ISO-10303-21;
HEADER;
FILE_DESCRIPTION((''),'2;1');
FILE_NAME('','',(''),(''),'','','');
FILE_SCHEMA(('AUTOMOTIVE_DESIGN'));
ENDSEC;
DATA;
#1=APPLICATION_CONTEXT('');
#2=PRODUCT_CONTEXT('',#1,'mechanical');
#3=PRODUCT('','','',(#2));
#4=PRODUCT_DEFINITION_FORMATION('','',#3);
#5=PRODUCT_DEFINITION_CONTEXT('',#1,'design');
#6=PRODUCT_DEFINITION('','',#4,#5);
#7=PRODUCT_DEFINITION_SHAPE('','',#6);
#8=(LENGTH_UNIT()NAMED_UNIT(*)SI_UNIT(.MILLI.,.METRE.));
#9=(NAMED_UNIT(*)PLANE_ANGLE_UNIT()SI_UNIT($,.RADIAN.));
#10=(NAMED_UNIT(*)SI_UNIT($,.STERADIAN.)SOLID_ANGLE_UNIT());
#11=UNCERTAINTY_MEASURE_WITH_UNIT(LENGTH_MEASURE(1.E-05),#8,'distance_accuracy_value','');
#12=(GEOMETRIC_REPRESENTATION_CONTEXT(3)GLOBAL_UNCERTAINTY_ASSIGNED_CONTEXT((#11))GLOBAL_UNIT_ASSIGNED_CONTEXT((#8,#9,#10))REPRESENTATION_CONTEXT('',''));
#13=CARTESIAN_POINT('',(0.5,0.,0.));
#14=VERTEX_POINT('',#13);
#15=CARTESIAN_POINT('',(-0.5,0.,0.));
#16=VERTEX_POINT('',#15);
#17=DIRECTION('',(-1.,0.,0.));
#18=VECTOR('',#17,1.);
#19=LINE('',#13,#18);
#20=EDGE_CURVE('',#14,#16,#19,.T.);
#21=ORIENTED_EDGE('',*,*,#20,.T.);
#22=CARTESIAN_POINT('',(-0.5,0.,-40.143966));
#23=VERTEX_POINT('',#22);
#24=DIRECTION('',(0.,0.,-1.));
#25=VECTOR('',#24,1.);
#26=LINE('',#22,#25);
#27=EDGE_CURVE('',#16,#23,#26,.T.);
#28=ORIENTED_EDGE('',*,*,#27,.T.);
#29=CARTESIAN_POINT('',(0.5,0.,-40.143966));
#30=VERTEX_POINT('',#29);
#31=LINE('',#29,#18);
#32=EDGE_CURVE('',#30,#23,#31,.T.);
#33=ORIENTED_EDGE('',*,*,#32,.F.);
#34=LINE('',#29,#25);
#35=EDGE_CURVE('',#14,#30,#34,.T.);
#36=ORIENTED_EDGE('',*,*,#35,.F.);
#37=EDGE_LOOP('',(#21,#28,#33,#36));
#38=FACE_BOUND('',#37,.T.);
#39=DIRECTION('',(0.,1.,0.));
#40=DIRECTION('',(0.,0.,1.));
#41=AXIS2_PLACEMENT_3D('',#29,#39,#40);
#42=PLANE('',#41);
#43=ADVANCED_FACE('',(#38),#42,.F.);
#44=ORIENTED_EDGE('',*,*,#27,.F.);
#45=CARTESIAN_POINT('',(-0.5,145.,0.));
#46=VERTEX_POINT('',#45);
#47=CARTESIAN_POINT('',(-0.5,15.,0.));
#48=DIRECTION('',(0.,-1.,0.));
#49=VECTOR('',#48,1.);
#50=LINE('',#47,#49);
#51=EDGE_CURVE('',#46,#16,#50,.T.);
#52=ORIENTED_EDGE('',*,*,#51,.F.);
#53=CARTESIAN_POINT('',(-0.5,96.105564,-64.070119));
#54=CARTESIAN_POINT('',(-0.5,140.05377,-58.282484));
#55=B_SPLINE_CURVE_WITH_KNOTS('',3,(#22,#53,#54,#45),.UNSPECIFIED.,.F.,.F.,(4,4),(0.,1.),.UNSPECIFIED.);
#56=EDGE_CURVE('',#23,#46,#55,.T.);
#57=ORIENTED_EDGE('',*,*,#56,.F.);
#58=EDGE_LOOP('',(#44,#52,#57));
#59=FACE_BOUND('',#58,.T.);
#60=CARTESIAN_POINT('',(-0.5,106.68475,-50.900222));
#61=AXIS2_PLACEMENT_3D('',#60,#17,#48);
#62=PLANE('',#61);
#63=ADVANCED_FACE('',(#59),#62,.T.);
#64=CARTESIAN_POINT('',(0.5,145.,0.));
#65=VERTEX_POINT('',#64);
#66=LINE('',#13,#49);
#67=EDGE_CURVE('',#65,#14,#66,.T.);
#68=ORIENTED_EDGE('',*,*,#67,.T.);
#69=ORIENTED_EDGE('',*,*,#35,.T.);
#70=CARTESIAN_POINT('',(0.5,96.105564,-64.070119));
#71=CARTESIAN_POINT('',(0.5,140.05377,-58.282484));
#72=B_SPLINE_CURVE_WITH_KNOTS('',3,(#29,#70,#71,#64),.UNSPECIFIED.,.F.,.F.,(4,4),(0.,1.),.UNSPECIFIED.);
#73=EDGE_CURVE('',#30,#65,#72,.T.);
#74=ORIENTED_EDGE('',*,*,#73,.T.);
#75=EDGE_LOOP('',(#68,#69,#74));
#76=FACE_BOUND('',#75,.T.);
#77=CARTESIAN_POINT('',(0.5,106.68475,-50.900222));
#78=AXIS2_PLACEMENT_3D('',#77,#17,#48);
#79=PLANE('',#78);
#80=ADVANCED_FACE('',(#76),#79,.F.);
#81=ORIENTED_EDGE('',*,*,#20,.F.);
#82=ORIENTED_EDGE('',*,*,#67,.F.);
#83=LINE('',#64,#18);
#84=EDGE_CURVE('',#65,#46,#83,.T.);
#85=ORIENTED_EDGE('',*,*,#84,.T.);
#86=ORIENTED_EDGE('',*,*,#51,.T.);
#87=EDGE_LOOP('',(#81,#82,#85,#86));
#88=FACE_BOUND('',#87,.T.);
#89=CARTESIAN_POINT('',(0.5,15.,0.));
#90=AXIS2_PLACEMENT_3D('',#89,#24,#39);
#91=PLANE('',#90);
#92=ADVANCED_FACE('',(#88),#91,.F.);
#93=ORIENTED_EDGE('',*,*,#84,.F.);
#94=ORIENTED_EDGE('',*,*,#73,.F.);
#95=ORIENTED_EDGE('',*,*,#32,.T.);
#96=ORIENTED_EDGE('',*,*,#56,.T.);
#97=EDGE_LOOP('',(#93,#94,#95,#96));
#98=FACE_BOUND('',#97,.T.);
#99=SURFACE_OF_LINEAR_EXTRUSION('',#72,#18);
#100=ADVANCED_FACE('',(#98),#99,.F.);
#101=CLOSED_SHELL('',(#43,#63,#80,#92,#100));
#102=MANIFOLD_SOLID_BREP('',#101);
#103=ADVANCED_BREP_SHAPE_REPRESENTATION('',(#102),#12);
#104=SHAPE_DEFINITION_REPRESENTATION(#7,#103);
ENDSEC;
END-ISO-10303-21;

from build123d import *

# Parameters (mm, degrees)
EXTRUDE_1_DEPTH   = 0.5
MOVE_BODY_1_ANGLE = 180
MOVE_BODY_2_ANGLE = 90
MOVE_BODY_3_ANGLE = 90


with BuildPart() as part:
    # 草图1 → 凸台-拉伸1 (new, symmetric)
    with BuildSketch(Plane.XY):
        with BuildLine():
            Line((15, 0), (145, 0))
            add(Edge.make_bspline(
                [(0, -40.143966229), (96.105563962, -64.070119442), (140.053769682, -58.282483629), (145, 0)],
                knots=[0, 0, 0, 0, 1, 1, 1, 1], degree=3))
            Line((0, -40.143966229), (0, 0))
            Line((0, 0), (15, 0))
        make_face()
    extrude(amount=EXTRUDE_1_DEPTH, both=True)


with BuildPart() as part_1:
    # Move Body 1: moved
    add(part.part.rotate(Axis((0, 0, 0), (0, 1, 0)), MOVE_BODY_1_ANGLE))


with BuildPart() as part_2:
    # Move Body 2: moved
    add(part_1.part.rotate(Axis((0, 0, 0), (0, 0, -1)), MOVE_BODY_2_ANGLE))


with BuildPart() as part_3:
    # Move Body 3: moved
    add(part_2.part.rotate(Axis((0, 0, 0), (0, -1, 0)), MOVE_BODY_3_ANGLE))


solid = part_3.part
